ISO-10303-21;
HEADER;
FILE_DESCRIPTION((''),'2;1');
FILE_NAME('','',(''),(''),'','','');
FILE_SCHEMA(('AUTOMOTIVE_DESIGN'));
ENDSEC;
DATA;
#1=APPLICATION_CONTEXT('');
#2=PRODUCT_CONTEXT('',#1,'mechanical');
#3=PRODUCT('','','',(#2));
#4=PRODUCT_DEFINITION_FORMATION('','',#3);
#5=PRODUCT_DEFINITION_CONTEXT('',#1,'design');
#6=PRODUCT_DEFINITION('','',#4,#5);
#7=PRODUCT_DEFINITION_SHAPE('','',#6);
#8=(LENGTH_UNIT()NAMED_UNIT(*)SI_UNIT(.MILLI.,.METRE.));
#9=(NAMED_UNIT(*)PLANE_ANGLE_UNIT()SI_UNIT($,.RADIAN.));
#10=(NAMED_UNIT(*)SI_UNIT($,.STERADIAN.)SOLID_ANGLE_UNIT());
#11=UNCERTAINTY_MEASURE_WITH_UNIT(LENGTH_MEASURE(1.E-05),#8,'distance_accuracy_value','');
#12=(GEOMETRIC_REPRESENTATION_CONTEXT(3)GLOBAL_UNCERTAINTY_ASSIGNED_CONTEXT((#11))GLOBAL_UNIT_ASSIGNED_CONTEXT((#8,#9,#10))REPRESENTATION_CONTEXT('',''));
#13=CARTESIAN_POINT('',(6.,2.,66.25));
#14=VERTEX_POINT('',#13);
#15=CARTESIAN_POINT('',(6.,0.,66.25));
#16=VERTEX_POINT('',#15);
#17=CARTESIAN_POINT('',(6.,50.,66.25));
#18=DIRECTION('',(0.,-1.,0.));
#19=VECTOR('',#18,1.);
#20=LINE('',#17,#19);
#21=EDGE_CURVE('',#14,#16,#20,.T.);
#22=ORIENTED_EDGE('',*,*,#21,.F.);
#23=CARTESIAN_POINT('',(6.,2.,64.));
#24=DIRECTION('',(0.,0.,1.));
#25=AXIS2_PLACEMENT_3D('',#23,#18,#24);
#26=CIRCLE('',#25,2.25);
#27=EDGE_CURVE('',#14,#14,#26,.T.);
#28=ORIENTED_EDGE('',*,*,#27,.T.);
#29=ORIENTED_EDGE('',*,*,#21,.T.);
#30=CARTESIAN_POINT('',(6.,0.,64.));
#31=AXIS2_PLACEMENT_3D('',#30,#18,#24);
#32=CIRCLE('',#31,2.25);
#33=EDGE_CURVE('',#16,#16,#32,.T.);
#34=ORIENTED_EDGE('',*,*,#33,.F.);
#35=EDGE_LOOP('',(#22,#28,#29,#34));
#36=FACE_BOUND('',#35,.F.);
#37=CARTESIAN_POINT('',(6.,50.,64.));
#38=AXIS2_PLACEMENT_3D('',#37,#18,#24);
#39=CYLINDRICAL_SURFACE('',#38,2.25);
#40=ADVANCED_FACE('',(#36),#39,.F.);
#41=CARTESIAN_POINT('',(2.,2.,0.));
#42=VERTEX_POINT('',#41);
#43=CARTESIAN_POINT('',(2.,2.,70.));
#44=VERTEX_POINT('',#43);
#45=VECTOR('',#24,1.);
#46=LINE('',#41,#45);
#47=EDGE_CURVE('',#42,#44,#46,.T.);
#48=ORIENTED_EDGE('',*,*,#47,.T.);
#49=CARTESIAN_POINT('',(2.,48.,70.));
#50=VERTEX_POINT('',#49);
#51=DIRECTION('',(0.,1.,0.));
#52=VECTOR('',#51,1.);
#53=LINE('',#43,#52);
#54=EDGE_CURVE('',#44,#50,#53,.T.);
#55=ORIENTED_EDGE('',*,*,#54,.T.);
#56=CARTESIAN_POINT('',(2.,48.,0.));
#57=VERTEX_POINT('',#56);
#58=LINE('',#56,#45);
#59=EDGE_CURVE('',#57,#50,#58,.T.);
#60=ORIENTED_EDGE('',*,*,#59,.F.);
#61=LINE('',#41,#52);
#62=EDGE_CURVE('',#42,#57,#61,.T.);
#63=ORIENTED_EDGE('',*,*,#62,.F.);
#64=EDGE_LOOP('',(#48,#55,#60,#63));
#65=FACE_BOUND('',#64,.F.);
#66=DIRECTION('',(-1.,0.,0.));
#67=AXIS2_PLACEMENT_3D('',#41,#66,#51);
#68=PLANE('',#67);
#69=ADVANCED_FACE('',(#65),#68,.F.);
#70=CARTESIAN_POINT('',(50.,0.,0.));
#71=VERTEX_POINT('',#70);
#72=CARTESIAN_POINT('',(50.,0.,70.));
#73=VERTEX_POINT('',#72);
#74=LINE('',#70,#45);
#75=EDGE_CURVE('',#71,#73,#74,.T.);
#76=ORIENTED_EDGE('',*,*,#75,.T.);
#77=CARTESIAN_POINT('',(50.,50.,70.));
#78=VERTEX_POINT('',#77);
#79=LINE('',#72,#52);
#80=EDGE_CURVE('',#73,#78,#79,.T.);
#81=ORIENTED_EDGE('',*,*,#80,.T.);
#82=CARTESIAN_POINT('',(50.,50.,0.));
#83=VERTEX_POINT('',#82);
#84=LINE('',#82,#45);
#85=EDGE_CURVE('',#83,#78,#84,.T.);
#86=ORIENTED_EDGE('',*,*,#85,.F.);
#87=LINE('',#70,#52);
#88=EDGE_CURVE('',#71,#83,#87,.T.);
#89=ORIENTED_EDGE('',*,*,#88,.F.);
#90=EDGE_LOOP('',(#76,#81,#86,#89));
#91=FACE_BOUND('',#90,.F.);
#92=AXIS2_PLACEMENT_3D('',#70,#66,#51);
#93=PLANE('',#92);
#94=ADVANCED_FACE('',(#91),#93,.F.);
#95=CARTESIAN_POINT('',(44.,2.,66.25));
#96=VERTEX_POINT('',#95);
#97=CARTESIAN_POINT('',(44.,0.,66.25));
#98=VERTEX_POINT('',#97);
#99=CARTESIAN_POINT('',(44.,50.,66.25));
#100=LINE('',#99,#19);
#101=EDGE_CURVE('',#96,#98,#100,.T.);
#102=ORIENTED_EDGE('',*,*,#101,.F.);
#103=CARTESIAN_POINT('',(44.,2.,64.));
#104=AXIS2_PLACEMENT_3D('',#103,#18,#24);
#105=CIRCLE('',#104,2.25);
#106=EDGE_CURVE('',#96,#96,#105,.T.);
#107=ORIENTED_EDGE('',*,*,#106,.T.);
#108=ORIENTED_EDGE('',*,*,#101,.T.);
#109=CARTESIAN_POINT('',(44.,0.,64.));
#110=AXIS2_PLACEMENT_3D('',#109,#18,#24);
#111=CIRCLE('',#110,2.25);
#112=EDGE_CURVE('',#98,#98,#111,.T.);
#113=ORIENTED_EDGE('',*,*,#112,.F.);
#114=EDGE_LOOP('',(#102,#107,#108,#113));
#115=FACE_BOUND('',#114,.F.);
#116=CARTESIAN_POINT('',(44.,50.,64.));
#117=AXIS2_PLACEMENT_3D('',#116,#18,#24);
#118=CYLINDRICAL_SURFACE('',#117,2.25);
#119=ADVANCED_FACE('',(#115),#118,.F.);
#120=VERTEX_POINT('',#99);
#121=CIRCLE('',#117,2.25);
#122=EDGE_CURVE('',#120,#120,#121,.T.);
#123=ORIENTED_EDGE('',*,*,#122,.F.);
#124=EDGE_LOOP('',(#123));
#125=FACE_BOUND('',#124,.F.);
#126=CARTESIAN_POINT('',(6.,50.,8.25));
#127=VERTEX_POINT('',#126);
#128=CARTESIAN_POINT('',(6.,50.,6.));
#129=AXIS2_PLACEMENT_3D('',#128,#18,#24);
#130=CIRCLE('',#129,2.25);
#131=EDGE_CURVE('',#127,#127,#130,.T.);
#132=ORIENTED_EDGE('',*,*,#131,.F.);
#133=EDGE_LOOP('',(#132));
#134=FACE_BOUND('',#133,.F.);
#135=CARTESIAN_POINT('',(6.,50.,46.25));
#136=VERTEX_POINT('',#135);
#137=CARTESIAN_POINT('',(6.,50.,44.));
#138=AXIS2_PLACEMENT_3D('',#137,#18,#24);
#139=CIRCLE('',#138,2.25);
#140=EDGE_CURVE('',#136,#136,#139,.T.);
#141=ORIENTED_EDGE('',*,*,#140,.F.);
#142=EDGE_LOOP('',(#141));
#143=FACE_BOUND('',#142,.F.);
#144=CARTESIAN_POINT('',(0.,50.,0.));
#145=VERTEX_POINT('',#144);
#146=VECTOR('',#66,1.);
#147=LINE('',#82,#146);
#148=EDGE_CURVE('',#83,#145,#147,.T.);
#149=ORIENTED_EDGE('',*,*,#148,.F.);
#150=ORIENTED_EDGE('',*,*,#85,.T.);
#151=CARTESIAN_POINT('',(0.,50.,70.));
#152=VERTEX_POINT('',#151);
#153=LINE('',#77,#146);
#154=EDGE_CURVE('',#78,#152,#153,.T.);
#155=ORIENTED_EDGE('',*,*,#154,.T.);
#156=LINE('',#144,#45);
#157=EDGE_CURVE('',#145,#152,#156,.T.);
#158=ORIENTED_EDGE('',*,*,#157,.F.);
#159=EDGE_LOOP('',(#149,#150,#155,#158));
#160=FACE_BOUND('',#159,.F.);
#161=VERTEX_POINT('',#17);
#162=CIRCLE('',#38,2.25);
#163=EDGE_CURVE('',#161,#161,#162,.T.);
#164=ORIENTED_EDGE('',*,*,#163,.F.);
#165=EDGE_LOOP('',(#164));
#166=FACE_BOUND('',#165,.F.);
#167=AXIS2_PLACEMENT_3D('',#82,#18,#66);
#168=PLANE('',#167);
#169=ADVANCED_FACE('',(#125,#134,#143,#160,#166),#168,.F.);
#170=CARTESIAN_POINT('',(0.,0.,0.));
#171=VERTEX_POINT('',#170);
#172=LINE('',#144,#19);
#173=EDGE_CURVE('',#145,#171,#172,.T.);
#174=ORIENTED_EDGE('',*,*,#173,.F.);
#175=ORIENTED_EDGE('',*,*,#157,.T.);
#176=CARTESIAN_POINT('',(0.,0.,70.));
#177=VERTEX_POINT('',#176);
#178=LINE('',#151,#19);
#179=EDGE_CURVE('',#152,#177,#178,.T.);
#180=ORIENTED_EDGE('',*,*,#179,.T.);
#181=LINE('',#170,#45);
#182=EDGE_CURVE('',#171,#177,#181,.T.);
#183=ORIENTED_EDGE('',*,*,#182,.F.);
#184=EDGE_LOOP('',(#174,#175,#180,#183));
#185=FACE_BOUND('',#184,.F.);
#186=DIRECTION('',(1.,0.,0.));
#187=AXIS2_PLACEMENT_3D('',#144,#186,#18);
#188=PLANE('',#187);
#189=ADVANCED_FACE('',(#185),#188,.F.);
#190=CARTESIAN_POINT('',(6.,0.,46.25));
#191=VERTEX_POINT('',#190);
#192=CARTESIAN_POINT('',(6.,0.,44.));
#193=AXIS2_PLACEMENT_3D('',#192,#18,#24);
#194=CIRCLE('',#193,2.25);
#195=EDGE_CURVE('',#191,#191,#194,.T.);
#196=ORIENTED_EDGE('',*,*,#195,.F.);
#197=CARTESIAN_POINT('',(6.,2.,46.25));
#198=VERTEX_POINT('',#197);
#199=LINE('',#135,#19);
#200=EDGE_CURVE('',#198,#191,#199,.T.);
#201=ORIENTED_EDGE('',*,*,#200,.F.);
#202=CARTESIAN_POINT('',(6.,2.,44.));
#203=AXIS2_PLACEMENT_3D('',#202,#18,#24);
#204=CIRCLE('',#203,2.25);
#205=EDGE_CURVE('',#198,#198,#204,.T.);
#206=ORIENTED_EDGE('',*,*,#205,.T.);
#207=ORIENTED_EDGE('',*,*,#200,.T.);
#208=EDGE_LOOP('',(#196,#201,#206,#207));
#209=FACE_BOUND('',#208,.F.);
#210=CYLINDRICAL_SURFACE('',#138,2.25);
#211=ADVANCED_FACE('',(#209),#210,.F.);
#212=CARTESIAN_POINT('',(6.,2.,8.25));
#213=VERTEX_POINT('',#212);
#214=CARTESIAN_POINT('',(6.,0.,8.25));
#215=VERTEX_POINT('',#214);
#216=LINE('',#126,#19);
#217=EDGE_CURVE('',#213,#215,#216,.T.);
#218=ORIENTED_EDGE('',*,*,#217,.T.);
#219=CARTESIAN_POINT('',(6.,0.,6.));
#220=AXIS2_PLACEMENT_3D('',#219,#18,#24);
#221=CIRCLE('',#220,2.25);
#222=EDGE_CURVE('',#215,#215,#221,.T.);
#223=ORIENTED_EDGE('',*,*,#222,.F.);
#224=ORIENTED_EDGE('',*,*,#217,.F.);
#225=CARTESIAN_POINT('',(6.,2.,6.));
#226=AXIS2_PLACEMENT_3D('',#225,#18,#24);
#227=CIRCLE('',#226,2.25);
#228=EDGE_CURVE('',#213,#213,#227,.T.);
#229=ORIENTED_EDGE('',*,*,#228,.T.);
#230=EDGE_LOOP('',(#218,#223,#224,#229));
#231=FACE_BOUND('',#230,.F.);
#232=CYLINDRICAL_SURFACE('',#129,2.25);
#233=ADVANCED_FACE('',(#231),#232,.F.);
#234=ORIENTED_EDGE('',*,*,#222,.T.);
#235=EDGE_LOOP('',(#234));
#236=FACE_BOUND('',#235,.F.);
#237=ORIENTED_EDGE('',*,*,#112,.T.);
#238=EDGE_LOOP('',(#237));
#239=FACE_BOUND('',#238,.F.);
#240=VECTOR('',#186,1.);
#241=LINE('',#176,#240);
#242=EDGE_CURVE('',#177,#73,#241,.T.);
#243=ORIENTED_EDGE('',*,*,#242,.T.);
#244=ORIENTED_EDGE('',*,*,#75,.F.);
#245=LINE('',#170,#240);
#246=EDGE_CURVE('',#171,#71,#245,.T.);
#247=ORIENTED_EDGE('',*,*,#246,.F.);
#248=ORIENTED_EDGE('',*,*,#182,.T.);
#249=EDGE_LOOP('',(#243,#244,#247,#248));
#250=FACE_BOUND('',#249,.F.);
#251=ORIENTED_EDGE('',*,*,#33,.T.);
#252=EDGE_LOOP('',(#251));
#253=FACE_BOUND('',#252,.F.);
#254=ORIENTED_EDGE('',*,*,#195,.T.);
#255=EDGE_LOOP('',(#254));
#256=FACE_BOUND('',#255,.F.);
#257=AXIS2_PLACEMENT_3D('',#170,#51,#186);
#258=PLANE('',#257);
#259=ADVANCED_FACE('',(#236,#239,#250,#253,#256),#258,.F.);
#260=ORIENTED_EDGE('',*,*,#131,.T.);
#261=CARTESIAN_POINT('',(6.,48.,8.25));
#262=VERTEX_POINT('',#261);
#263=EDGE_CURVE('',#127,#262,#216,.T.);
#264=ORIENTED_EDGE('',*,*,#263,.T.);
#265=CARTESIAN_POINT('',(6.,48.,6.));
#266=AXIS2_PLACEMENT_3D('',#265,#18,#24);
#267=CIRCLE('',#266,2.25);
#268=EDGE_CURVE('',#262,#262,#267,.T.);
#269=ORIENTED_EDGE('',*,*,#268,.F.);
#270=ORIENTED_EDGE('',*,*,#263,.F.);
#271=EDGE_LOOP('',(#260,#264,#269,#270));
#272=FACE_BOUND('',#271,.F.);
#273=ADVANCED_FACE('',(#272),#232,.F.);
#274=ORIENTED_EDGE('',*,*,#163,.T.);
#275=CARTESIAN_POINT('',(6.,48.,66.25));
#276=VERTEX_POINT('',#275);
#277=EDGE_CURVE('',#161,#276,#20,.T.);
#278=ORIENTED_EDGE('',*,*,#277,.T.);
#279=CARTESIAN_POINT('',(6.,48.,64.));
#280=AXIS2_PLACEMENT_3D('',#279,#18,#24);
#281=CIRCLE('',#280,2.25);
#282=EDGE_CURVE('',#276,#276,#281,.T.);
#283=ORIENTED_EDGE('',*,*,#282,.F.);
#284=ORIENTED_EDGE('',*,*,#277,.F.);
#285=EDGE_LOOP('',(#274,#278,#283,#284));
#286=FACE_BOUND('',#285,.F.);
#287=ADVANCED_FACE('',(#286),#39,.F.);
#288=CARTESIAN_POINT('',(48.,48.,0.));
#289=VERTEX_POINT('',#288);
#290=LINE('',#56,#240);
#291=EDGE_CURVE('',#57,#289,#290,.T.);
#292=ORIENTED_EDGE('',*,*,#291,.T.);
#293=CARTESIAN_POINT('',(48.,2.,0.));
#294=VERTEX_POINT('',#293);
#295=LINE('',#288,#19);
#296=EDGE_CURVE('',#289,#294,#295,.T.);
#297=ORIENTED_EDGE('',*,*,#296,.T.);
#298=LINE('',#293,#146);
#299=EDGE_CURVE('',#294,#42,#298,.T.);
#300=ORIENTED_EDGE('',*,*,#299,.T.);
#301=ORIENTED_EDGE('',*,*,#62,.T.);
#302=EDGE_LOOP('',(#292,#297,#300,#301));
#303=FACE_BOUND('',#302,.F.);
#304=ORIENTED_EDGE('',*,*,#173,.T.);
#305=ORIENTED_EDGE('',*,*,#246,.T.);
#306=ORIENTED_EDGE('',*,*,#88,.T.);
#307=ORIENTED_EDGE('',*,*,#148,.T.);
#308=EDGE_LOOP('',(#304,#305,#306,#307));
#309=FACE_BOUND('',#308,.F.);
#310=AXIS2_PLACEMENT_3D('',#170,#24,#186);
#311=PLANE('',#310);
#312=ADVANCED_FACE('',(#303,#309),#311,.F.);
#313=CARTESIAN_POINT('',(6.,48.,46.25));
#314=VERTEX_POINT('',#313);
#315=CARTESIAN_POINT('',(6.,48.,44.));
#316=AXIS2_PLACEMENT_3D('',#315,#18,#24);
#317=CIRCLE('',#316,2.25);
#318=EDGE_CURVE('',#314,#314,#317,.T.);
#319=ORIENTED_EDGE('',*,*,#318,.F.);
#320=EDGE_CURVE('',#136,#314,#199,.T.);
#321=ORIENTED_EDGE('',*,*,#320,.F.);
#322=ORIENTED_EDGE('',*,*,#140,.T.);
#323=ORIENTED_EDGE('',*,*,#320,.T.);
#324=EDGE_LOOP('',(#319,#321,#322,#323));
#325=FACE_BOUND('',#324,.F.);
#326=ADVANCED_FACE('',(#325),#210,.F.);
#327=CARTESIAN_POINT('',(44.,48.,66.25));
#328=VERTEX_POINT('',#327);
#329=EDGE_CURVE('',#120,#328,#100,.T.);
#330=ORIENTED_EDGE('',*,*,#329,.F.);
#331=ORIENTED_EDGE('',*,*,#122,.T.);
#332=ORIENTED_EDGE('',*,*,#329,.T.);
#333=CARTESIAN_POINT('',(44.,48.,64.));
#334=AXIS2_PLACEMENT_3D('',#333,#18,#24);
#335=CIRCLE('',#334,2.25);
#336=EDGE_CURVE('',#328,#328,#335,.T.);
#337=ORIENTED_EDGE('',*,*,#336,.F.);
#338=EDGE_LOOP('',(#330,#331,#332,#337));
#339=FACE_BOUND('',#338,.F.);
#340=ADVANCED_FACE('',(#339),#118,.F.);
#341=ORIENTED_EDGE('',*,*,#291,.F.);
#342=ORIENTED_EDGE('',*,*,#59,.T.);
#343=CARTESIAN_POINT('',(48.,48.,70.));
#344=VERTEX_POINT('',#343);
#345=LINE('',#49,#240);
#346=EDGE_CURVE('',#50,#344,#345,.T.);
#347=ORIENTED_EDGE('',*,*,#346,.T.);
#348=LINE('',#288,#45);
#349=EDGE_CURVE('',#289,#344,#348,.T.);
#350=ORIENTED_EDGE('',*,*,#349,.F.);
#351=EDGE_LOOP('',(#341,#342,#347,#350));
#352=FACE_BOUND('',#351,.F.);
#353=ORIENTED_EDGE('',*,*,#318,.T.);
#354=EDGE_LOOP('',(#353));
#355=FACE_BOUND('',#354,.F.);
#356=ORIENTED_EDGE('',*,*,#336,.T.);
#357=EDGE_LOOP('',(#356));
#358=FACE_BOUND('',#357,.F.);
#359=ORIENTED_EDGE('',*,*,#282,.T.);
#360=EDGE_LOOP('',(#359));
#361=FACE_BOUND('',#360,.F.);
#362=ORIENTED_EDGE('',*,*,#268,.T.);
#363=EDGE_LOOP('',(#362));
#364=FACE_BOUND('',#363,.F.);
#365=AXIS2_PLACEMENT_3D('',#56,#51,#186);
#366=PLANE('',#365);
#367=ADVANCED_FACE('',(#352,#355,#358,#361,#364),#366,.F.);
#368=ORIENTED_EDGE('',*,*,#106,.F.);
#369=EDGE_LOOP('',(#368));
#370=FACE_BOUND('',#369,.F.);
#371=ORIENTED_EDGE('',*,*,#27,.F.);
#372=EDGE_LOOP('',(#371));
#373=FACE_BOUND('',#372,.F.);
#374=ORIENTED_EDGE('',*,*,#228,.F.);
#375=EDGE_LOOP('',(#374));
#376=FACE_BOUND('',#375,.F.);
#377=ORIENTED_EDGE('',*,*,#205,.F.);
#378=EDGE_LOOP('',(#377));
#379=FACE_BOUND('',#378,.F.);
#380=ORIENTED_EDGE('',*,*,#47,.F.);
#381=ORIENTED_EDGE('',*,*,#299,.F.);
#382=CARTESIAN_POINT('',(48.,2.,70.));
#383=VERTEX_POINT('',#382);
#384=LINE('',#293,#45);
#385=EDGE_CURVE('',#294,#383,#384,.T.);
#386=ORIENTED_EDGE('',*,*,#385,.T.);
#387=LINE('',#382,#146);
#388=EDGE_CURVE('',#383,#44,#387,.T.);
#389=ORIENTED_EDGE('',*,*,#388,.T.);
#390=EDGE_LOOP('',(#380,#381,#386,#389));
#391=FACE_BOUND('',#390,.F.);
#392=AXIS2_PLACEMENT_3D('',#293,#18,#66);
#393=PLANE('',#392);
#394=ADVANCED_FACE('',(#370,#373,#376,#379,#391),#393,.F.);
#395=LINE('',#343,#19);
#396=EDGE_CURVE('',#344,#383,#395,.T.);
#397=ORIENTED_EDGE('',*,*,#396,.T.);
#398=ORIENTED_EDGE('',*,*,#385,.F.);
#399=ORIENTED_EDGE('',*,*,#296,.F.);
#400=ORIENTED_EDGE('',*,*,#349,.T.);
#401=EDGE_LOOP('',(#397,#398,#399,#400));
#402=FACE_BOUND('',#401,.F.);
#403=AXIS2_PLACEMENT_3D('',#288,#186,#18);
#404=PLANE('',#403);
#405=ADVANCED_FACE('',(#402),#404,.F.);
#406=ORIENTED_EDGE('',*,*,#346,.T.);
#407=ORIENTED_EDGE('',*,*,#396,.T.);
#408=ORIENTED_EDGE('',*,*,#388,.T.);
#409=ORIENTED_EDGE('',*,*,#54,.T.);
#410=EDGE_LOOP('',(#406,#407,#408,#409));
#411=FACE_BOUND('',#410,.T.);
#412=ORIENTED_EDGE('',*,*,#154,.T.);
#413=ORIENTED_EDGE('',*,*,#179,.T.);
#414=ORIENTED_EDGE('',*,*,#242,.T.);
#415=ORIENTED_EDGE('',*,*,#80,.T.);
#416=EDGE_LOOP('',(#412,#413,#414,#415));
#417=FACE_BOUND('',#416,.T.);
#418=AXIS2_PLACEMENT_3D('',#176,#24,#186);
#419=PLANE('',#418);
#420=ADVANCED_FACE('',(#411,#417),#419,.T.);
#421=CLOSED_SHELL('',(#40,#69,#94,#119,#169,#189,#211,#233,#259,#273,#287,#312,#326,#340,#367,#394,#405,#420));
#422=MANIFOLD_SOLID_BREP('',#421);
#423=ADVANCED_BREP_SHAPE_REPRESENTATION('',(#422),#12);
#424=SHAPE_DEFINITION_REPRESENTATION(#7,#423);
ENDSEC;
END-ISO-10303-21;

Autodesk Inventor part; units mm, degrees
ref_plane "YZ Plane" through (0, 0, 0) normal (1, 0, 0) x (0, 1, 0)
ref_plane "XZ Plane" through (0, 0, 0) normal (0, 1, 0) x (-1, 0, 0)
ref_plane "XY Plane" through (0, 0, 0) normal (0, 0, 1) x (1, 0, 0)
sketch "スケッチ1" plane through (0, 0, 0) normal (0, 0, 1) x (1, 0, 0)
  line L0 (0, 0) -> (50, 0)
  line L1 (50, 0) -> (50, 50)
  line L2 (50, 50) -> (0, 50)
  line L3 (0, 50) -> (0, 0)
  line L4 (2, 48) -> (48, 48)
  line L5 (48, 48) -> (48, 2)
  line L6 (48, 2) -> (2, 2)
  line L7 (2, 2) -> (2, 48)
  dimension "d0" = 50
  dimension "d1" = 50
  dimension "d2" = 2
extrude "押し出し1" add sketch "スケッチ1" along normal blind 70
sketch "スケッチ2" plane through (0, 50, 0) normal (0, 1, 0) x (1, 0, 0)
  line L0 (50, 0) -> (0, 0) projected
  line L1 (0, 0) -> (0, -70) projected
  line L2 (50, -70) -> (0, -70) projected
  line L3 (50, 0) -> (50, -70) projected
  line L4 (50, -64) -> (0, -64) construction
  point P0 (0, 0)
  point P1 (44, -64)
  point P2 (6, -64)
  dimension "d6" = 6
  dimension "d7" = 38
  dimension "d24" = 6
hole "穴1" at (44, 50, 64) at (6, 50, 64) direction (0, -1, 0) diameter 4.5 end through all
sketch "スケッチ4" plane through (0, 50, 0) normal (0, 1, 0) x (1, 0, 0)
  circle A0 centre (44, -64) radius 2.25 projected
  circle A1 centre (6, -64) radius 2.25 projected
  line L0 (50, 0) -> (0, 0) projected
  line L1 (0, 0) -> (0, -70) projected
  line L2 (50, -70) -> (0, -70) projected
  line L3 (50, 0) -> (50, -70) projected
  line L4 (6, -70) -> (6, 0) construction
  point P0 (0, 0)
  point P1 (6, -6)
  point P2 (6, -44)
  dimension "d25" = 6
  dimension "d26" = 6
  dimension "d27" = 38
hole "穴3" at (6, 50, 6) at (6, 50, 44) direction (0, -1, 0) diameter 4.5 end through all
properties part number "hip" material "アルミニウム 6061"
